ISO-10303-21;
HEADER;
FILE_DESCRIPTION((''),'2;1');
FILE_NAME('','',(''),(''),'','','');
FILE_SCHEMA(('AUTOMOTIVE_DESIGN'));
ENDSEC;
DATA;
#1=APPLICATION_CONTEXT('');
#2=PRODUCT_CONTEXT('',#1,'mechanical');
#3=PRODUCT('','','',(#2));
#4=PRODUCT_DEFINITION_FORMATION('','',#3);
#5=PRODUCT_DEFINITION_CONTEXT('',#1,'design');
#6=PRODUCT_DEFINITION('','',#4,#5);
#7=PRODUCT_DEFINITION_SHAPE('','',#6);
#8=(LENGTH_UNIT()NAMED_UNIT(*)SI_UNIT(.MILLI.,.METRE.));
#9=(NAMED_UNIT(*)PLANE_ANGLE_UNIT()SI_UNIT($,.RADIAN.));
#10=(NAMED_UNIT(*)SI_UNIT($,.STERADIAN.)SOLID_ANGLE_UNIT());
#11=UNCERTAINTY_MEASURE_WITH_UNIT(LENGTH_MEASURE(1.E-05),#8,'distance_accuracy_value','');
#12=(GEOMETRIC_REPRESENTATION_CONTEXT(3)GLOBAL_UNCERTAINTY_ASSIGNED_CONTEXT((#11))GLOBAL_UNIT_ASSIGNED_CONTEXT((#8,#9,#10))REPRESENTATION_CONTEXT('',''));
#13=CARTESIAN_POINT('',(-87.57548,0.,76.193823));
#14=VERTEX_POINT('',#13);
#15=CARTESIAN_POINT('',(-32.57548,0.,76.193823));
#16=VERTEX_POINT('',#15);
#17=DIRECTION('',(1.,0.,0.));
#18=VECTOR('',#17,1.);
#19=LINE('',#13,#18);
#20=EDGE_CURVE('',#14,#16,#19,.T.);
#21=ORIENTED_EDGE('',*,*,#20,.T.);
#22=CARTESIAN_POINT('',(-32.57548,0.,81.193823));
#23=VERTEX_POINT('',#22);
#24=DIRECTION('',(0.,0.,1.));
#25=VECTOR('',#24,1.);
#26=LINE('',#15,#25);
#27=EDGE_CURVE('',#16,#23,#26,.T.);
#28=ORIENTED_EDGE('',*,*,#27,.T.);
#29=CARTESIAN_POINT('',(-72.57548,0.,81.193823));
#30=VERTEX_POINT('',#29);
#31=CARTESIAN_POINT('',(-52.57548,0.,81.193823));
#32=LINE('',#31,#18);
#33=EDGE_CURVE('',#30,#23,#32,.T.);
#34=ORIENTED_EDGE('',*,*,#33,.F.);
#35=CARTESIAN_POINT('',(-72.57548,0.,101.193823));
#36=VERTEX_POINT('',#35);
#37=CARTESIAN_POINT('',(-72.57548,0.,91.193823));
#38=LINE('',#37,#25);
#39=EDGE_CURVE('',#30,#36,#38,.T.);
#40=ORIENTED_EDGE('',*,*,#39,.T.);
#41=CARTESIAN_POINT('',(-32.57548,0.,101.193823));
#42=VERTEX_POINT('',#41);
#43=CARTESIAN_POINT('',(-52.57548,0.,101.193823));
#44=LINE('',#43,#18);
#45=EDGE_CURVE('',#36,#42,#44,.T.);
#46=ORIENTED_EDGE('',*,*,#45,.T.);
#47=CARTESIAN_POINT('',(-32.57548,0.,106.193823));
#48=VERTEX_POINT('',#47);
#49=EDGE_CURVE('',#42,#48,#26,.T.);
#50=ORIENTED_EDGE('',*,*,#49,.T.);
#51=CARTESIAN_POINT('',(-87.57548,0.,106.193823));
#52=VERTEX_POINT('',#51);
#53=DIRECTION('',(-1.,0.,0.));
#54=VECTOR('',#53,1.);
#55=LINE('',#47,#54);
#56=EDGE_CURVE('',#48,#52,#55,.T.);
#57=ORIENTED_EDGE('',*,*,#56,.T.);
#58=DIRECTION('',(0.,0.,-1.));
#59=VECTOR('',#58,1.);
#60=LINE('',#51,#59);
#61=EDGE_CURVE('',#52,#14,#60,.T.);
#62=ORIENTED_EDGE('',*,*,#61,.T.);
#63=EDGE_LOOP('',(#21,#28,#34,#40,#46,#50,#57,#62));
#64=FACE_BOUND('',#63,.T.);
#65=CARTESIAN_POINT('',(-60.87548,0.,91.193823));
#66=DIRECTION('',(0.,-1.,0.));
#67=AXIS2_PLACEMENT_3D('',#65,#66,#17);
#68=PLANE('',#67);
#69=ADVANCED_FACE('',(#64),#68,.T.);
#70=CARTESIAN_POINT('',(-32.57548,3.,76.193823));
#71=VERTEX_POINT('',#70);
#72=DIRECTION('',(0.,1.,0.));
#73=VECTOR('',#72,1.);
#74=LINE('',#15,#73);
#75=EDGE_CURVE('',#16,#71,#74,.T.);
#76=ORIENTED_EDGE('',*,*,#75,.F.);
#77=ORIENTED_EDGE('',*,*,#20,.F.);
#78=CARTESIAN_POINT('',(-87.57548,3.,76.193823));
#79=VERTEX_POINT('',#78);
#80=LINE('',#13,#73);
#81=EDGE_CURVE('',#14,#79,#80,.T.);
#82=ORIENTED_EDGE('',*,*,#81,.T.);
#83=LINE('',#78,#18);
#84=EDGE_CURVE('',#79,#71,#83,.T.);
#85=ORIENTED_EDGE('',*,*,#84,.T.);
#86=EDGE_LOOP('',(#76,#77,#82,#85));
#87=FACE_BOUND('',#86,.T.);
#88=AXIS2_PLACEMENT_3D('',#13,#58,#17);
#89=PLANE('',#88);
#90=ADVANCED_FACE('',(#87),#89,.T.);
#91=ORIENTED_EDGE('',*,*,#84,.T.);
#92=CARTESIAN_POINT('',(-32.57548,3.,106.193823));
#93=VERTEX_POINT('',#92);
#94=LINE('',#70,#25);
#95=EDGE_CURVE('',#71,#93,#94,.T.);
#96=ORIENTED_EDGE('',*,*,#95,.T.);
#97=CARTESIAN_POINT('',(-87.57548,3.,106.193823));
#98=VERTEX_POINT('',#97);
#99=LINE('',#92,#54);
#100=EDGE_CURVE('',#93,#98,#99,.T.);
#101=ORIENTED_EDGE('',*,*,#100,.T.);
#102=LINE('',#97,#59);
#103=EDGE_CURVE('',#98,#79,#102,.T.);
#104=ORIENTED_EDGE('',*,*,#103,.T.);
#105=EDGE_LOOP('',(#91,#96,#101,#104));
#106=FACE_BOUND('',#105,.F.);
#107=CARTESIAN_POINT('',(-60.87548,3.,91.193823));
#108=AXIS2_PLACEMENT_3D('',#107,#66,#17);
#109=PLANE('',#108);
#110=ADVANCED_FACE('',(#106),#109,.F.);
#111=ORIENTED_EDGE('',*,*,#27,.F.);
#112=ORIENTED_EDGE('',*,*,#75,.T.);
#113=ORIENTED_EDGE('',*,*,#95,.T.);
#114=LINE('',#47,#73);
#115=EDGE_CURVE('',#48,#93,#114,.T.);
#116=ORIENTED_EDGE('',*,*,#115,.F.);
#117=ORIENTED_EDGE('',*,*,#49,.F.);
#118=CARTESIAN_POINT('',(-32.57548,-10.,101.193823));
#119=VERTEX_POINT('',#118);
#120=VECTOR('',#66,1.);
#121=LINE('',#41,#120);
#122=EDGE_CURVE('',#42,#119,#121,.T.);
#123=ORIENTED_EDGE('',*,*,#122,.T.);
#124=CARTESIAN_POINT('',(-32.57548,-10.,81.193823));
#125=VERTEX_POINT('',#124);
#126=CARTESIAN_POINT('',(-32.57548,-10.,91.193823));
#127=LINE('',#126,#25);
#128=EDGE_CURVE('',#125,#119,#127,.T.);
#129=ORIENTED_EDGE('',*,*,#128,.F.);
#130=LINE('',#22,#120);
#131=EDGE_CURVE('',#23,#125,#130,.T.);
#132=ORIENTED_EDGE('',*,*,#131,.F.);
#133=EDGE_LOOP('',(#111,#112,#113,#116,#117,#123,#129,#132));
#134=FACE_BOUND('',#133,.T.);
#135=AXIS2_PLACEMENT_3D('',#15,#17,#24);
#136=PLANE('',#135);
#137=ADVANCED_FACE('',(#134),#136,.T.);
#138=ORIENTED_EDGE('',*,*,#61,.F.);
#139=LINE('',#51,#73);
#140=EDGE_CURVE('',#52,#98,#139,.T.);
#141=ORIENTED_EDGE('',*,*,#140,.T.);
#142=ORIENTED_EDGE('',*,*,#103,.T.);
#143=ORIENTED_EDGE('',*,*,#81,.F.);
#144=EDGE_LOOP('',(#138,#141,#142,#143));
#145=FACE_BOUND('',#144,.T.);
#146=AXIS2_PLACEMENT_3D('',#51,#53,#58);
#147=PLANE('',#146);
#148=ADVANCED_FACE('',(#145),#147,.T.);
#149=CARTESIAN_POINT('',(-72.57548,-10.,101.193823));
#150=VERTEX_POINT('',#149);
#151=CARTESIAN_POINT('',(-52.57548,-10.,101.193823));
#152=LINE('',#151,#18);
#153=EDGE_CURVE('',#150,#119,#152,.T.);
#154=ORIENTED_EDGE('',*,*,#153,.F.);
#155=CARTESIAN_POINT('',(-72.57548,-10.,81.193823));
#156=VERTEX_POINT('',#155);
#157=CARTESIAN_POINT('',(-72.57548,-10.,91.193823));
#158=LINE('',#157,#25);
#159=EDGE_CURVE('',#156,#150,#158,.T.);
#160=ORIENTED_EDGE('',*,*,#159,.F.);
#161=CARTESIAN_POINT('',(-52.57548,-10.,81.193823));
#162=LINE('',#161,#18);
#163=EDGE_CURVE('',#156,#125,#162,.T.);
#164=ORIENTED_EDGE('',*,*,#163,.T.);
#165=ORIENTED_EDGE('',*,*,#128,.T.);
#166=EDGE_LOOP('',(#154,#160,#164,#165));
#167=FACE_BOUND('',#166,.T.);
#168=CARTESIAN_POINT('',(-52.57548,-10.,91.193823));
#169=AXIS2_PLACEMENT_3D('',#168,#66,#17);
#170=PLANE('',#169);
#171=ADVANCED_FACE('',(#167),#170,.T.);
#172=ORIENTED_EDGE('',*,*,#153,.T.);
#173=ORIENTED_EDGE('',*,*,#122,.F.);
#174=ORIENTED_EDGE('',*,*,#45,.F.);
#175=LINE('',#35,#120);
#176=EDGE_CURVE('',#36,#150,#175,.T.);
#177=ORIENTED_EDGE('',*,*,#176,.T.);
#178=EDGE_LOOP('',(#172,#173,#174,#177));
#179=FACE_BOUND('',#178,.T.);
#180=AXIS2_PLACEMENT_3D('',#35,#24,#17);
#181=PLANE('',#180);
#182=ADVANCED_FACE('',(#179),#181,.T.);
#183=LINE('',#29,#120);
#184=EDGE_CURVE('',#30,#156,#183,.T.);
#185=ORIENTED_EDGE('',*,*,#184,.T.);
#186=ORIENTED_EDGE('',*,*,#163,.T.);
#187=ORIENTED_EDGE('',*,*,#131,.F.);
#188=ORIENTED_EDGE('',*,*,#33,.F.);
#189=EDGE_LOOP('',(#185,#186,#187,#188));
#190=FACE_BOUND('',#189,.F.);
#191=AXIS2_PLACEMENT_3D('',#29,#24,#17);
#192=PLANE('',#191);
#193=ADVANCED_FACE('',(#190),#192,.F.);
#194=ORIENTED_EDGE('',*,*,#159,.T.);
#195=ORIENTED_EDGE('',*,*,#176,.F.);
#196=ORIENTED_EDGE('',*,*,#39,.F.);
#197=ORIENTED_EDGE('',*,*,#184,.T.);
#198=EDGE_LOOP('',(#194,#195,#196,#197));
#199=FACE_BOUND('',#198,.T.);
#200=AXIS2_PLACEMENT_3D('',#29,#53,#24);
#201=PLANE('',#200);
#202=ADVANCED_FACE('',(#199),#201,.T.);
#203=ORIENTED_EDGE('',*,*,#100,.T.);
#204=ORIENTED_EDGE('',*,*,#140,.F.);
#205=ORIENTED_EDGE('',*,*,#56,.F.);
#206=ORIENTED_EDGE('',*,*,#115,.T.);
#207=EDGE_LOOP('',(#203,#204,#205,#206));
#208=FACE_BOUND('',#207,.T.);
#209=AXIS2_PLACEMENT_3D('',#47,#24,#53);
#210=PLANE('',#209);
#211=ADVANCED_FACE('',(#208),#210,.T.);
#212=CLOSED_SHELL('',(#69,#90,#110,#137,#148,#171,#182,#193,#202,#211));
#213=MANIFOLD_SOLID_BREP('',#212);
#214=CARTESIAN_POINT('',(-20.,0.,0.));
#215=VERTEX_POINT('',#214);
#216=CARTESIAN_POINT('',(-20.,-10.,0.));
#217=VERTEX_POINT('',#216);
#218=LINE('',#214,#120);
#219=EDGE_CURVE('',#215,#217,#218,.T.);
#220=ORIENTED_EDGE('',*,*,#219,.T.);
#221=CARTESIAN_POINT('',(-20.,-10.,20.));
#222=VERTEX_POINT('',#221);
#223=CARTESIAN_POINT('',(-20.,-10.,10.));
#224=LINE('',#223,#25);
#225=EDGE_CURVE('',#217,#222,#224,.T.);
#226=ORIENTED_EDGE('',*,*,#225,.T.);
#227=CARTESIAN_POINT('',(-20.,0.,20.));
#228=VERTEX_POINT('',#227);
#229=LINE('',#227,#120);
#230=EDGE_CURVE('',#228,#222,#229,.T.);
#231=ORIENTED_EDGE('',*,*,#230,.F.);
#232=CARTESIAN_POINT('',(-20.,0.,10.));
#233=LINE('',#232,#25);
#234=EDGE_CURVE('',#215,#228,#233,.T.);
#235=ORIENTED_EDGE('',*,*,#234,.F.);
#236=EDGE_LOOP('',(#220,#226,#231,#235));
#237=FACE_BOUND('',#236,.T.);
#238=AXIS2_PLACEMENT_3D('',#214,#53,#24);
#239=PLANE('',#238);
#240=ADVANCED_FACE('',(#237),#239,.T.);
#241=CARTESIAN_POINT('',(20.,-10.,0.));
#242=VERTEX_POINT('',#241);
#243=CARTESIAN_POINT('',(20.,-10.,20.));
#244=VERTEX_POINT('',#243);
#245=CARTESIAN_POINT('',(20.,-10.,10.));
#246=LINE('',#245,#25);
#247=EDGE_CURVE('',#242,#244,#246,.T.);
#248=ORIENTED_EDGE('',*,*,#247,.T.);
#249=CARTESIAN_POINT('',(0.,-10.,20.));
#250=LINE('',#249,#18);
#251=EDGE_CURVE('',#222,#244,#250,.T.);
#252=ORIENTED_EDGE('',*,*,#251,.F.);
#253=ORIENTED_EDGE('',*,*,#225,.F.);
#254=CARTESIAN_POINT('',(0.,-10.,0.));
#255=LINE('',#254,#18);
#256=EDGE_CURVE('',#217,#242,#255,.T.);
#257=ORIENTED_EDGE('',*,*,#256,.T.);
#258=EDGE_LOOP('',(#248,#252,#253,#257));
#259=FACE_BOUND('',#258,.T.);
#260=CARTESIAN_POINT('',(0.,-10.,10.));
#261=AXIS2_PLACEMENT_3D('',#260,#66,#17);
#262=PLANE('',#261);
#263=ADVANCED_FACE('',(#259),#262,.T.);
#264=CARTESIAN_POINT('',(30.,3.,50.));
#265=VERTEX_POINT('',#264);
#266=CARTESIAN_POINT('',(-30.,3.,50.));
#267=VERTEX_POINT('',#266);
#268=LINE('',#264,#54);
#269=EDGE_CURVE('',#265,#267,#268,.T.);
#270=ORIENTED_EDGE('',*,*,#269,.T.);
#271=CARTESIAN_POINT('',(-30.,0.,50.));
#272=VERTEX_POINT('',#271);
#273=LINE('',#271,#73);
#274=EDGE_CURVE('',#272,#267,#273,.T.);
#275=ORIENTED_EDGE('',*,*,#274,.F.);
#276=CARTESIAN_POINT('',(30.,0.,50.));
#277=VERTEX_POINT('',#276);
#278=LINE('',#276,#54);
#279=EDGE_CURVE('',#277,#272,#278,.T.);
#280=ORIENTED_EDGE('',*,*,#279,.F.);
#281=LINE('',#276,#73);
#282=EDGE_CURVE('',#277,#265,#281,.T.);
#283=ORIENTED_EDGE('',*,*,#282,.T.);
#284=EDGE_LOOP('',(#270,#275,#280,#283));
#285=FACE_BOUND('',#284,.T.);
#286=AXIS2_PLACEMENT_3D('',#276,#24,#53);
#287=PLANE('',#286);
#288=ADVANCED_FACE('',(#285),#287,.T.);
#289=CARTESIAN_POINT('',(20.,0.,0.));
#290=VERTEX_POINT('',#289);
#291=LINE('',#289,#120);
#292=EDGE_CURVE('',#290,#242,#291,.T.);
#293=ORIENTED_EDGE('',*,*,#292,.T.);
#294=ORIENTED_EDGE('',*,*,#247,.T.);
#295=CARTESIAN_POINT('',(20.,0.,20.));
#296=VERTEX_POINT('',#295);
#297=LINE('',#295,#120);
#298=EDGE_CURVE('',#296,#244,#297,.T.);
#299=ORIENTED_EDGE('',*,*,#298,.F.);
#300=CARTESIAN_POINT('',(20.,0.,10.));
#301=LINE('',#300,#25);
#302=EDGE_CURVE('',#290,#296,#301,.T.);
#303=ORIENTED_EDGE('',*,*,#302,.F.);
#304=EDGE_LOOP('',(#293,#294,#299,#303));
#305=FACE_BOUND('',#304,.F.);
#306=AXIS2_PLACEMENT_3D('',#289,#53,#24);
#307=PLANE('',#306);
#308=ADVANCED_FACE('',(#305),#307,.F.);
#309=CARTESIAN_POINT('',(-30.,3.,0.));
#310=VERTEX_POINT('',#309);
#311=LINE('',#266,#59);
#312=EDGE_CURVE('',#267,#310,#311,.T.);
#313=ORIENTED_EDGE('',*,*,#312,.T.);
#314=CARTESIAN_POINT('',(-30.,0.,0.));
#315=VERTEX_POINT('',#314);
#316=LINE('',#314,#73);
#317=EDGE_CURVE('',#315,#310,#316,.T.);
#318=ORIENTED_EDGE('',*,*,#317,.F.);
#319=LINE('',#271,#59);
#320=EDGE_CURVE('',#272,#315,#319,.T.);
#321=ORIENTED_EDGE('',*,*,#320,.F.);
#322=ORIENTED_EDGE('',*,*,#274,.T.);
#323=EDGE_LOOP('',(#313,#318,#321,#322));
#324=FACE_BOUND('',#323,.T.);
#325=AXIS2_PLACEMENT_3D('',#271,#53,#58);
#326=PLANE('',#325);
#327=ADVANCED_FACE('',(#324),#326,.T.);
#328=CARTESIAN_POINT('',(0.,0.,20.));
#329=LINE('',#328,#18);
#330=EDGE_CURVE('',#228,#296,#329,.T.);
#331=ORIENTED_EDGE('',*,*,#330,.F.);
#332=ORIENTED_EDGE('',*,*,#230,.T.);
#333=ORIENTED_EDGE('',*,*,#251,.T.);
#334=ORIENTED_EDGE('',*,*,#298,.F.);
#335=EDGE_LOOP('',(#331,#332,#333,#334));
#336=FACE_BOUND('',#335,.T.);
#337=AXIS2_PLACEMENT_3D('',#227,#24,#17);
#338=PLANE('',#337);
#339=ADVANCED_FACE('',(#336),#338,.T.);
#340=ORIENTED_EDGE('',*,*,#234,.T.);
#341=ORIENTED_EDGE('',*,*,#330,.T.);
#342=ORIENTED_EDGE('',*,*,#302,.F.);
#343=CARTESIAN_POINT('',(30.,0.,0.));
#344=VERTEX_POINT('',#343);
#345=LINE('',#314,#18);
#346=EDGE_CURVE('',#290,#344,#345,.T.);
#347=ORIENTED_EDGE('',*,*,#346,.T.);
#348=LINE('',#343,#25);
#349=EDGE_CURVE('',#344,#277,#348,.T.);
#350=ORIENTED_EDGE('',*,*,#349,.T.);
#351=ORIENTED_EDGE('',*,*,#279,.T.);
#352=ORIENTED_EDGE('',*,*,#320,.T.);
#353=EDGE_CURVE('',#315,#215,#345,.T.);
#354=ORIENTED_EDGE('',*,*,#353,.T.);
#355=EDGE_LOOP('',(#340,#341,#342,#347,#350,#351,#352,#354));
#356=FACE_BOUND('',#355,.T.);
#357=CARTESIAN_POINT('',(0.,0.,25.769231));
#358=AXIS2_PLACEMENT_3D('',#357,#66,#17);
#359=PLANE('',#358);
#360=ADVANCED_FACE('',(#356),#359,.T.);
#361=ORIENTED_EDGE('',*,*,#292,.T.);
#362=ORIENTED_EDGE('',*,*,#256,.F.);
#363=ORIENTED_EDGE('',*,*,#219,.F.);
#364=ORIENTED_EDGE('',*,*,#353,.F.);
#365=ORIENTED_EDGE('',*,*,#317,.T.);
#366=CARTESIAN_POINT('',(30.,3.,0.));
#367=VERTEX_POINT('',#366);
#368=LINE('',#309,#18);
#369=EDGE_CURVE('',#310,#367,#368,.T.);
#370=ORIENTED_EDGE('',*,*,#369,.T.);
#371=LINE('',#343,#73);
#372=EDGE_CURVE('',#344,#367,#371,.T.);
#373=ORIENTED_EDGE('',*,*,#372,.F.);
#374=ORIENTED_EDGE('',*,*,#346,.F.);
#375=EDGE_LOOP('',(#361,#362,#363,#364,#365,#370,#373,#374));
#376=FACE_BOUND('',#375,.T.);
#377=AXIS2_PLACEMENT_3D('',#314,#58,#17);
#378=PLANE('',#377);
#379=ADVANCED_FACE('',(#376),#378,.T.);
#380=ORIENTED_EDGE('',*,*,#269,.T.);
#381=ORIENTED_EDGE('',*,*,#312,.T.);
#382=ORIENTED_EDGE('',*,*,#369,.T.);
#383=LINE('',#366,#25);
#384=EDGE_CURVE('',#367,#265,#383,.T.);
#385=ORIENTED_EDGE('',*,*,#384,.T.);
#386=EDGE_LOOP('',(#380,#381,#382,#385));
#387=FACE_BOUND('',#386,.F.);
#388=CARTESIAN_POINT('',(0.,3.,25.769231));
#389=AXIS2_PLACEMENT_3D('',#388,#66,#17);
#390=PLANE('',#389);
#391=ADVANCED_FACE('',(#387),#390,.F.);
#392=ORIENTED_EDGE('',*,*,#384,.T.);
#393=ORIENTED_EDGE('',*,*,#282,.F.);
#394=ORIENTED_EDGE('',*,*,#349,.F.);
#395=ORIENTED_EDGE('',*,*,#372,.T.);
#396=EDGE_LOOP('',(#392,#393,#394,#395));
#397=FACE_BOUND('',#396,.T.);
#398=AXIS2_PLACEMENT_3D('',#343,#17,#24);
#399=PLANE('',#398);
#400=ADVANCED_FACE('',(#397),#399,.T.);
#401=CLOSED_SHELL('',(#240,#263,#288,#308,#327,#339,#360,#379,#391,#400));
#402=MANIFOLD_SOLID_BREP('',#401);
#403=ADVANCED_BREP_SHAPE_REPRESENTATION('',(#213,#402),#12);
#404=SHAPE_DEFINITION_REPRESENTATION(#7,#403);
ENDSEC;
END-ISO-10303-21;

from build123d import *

# Parameters (mm, degrees)
F0_W     = 40
F0_H     = 20
F1_W     = 40
F1_H     = 20
F2_DEPTH = 3
F3_DEPTH = 10


with BuildPart() as f2:
    # F0 (on Front) + F1 (on Front) → F2 (new body)
    with BuildSketch(Plane.XZ):
        Polygon((30, 50), (-30, 50), (-30, 0), (-20, 0), (-20, 20), (20, 20), (20, 0), (30, 0), align=None)
        with Locations((0, 10)):
            Rectangle(F0_W, F0_H)
    with BuildSketch(Plane.XZ):
        Polygon((-32.57548, 106.193823), (-87.57548, 106.193823), (-87.57548, 76.193823), (-32.57548, 76.193823), (-32.57548, 81.193823), (-72.57548, 81.193823), (-72.57548, 101.193823), (-32.57548, 101.193823), align=None)
        with Locations((-52.57548, 91.193823)):
            Rectangle(F1_W, F1_H)
    extrude(amount=-F2_DEPTH)

    # F0 (on Front) + F1 (on Front) → F3 (join)
    with BuildSketch(Plane.XZ):
        with Locations((0, 10)):
            Rectangle(F0_W, F0_H)
    with BuildSketch(Plane.XZ):
        with Locations((-52.57548, 91.193823)):
            Rectangle(F1_W, F1_H)
    extrude(amount=F3_DEPTH)


solid = f2.part
